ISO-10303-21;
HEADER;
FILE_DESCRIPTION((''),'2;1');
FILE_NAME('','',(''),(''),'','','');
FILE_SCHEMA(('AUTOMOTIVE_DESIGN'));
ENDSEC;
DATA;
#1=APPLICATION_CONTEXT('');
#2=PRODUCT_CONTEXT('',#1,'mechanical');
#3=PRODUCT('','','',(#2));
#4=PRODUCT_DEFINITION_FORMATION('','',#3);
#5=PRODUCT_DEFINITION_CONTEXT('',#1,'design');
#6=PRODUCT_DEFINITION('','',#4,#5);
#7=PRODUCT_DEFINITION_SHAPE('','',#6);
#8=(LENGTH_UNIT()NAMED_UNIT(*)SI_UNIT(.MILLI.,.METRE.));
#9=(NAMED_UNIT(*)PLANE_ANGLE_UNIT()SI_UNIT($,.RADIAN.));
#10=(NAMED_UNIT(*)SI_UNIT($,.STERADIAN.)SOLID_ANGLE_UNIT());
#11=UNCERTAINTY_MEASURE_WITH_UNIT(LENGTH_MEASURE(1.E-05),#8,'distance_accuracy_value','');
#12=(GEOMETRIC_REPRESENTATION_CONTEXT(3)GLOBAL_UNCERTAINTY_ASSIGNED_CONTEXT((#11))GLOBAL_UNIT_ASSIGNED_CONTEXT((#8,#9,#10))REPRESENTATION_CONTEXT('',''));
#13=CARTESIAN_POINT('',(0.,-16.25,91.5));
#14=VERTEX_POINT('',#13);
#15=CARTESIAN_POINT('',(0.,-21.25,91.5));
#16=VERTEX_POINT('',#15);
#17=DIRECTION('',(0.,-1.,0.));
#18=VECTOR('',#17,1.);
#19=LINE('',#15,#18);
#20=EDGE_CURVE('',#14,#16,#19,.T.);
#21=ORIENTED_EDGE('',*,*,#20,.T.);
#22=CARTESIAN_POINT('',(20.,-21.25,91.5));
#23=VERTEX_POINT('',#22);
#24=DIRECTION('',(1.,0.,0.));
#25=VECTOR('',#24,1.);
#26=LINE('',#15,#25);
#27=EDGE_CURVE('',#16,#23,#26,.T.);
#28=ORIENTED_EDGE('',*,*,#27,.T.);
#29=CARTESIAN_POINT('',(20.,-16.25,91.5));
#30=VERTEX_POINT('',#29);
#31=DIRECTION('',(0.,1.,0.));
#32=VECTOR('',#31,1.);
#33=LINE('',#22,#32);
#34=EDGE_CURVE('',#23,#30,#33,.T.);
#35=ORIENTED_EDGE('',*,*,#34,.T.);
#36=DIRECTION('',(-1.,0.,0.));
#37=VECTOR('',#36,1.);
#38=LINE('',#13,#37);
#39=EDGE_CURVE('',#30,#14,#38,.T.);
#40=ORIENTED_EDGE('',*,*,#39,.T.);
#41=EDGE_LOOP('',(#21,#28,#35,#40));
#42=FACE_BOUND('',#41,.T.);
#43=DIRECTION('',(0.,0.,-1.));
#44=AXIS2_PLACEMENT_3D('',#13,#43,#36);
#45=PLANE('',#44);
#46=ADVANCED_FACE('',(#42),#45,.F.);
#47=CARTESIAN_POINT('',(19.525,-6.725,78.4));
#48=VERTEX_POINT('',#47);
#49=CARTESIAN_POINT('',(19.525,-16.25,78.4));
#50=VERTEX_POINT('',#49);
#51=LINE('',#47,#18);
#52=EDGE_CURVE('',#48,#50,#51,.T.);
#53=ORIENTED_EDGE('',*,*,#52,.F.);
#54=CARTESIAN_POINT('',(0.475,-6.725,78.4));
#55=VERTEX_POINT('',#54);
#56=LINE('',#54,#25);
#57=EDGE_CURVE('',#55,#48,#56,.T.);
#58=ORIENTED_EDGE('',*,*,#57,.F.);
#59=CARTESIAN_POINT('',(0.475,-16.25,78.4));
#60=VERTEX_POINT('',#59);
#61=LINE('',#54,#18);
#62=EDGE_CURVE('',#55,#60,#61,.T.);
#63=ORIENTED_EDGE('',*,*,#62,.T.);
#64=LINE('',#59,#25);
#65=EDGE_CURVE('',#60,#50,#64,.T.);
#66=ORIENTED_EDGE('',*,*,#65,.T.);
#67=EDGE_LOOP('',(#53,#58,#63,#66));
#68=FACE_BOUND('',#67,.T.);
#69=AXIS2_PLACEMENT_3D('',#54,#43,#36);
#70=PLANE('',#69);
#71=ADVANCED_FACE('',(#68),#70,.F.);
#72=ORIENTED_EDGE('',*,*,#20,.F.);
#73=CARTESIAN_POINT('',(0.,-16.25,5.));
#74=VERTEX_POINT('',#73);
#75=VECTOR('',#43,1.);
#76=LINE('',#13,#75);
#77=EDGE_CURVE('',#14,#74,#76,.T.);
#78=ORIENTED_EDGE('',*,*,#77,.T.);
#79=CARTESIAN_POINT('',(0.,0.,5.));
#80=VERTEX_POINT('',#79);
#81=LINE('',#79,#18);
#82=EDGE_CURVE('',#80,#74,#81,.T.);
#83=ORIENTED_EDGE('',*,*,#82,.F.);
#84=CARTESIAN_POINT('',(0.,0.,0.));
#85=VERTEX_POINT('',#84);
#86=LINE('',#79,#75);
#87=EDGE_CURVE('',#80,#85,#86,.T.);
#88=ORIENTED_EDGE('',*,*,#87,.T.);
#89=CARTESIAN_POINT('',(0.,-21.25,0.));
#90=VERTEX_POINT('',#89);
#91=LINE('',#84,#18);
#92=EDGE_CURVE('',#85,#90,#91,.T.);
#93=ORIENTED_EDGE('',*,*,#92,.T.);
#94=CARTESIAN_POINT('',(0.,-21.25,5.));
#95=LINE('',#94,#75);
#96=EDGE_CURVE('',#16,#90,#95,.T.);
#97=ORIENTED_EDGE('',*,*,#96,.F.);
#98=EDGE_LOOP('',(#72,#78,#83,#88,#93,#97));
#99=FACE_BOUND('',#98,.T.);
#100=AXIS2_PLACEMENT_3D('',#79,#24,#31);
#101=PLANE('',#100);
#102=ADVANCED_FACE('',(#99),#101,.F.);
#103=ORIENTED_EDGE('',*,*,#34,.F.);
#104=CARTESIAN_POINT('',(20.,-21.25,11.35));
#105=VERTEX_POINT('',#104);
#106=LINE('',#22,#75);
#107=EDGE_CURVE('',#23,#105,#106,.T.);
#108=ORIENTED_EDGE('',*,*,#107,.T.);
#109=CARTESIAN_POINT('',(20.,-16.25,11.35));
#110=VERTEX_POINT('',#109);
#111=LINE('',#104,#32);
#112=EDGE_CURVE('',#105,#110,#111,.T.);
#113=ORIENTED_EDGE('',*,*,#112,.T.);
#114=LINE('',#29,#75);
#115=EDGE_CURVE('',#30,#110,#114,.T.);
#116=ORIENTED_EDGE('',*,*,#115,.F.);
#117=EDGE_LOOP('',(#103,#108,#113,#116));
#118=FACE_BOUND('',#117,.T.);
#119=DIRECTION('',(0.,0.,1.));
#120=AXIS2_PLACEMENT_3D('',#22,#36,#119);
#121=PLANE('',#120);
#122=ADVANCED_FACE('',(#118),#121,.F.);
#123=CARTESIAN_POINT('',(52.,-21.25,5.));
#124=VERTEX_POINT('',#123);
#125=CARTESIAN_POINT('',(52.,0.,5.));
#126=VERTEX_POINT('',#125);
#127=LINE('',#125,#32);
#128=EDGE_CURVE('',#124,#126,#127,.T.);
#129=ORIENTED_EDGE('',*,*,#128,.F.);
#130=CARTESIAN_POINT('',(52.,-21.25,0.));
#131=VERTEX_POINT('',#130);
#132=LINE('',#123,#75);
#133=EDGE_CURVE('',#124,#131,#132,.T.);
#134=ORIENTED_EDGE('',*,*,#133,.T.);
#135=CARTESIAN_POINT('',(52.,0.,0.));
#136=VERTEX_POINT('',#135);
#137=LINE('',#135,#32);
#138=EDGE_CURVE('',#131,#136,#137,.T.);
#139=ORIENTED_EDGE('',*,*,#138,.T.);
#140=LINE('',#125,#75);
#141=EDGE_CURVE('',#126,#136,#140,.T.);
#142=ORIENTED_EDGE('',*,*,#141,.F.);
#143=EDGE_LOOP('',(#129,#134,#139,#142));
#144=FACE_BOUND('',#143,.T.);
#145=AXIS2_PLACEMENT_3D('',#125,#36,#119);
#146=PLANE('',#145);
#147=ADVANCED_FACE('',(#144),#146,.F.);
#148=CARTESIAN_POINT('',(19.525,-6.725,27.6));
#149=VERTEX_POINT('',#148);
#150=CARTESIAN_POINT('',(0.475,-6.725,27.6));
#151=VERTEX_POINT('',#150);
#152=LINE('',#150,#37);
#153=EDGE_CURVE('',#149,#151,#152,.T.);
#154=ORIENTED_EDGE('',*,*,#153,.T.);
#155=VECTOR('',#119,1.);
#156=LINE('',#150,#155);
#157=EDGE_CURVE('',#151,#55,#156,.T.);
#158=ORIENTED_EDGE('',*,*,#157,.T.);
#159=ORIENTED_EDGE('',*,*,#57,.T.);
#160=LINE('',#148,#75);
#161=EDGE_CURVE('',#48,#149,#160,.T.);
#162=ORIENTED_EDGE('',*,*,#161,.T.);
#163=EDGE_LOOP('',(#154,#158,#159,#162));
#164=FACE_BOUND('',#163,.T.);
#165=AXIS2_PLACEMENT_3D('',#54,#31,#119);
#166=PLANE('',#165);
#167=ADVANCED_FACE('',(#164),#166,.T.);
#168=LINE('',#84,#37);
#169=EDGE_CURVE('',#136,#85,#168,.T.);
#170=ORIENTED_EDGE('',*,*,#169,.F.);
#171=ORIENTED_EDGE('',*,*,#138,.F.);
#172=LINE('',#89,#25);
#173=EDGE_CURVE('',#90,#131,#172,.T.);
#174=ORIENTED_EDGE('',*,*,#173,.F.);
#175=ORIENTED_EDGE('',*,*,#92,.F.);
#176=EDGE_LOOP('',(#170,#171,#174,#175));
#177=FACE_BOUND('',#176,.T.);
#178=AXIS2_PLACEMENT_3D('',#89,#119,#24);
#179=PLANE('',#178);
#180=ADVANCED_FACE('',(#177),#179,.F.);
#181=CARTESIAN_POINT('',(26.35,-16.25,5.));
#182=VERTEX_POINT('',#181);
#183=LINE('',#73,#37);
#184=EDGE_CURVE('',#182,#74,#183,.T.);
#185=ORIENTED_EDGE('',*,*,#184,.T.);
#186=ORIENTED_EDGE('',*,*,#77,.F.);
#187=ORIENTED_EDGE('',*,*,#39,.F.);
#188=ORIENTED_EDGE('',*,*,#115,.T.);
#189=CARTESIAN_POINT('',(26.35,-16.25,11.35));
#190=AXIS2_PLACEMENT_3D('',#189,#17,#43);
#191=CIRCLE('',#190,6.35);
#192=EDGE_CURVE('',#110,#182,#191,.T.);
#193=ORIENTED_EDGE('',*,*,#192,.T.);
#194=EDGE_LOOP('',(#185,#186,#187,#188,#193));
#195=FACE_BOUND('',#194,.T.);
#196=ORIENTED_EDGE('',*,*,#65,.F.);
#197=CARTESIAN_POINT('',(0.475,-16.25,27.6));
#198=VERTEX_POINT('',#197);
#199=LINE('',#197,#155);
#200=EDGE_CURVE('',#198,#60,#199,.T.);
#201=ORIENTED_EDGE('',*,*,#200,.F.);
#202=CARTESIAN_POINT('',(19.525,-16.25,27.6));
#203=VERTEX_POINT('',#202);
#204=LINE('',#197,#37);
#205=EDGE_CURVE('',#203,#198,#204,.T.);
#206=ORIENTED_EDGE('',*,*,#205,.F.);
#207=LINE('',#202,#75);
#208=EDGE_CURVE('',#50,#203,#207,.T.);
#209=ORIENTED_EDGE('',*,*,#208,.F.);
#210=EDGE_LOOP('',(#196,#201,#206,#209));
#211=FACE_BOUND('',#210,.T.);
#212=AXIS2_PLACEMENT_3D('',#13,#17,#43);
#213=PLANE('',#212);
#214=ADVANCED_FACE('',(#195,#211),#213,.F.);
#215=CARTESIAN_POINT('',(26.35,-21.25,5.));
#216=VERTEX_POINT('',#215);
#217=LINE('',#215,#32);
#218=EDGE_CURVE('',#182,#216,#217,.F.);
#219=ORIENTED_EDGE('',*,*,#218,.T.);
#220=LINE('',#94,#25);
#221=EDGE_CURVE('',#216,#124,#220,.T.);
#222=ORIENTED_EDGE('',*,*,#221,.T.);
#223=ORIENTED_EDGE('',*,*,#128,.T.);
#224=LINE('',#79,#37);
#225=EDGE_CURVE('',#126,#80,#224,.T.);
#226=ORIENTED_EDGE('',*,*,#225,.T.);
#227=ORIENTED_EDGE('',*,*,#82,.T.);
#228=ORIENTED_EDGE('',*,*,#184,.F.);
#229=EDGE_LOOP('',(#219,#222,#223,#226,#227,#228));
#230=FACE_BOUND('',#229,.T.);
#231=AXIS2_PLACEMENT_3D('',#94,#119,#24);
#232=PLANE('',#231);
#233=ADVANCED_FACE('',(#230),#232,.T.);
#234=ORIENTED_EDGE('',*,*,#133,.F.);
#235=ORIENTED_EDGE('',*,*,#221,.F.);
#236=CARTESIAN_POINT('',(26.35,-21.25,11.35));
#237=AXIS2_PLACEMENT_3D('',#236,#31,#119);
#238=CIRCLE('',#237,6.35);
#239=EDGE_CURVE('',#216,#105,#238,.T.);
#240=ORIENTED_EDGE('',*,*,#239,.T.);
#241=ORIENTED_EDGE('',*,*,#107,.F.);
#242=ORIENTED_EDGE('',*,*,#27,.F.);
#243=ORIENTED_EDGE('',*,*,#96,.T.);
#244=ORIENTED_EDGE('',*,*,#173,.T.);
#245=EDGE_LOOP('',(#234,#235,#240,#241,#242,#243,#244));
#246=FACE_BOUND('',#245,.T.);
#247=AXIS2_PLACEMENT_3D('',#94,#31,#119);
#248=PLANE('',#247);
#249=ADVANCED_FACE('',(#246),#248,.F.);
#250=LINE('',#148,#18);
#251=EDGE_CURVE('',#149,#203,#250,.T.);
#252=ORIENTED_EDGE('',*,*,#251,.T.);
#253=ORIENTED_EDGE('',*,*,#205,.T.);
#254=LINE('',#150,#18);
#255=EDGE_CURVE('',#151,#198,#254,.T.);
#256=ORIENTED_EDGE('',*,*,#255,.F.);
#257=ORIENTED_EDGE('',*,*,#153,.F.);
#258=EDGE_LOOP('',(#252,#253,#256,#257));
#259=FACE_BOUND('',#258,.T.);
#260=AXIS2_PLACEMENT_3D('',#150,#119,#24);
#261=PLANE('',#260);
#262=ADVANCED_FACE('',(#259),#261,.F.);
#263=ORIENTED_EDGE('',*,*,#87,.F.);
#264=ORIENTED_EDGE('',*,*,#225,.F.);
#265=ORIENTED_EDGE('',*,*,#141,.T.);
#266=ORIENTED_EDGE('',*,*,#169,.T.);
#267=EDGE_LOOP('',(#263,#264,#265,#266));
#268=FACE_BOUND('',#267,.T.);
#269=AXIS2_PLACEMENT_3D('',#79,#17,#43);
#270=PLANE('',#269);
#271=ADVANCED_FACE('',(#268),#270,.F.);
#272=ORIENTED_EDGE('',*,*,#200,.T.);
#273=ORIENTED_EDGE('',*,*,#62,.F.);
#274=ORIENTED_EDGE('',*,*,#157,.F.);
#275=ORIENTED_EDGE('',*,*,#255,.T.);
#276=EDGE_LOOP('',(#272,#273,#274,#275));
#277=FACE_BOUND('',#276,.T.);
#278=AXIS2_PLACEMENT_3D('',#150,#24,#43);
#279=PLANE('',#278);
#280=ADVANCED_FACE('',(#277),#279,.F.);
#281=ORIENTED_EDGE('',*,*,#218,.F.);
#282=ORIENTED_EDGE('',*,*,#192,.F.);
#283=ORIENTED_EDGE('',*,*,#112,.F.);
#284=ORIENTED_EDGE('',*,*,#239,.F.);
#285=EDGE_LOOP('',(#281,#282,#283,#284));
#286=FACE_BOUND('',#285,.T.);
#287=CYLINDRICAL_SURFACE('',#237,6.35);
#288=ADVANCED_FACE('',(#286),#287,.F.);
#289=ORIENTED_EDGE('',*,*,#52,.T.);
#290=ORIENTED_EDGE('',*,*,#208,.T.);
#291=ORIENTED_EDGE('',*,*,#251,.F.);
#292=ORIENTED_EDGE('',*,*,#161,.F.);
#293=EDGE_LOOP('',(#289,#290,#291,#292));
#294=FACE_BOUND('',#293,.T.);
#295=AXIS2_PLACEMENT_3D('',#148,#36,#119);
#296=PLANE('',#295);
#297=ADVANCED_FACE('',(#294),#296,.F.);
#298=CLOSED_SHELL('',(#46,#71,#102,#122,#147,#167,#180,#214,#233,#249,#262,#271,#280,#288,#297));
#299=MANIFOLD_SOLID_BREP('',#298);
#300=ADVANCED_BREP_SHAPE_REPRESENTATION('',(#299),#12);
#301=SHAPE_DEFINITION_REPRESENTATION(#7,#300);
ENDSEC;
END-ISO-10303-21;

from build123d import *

# Parameters (mm, degrees)
SKETCH1_W      = 52
SKETCH1_H      = 21.25
EXTRUDE1_DEPTH = 5
SKETCH2_W      = 20
SKETCH2_H      = 5
EXTRUDE2_DEPTH = 86.5
FILLET1_R      = 6.35
SKETCH3_W      = 19.05
SKETCH3_H      = 50.8
EXTRUDE3_DEPTH = 9.525


with BuildPart() as part:
    # Sketch1 → Extrude1 (new body)
    with BuildSketch(Plane.XY):
        with Locations((26, -10.625)):
            Rectangle(SKETCH1_W, SKETCH1_H)
    extrude(amount=EXTRUDE1_DEPTH)

    # Sketch2 → Extrude2 (add)
    with BuildSketch(Plane.XY.offset(5)):
        with Locations((10, -18.75)):
            Rectangle(SKETCH2_W, SKETCH2_H)
    extrude(amount=EXTRUDE2_DEPTH)

    # Fillet1
    fillet1_edges = [part.edges().sort_by_distance(p)[0] for p in [
        (20, -18.75, 5),
    ]]
    fillet(fillet1_edges, radius=FILLET1_R)

    # Sketch3 → Extrude3 (add)
    with BuildSketch(Plane(origin=(0, -16.25, 0), x_dir=(1, 0, 0), z_dir=(0, 1, 0))):
        with Locations((10, -53)):
            Rectangle(SKETCH3_W, SKETCH3_H)
    extrude(amount=EXTRUDE3_DEPTH)


solid = part.part
